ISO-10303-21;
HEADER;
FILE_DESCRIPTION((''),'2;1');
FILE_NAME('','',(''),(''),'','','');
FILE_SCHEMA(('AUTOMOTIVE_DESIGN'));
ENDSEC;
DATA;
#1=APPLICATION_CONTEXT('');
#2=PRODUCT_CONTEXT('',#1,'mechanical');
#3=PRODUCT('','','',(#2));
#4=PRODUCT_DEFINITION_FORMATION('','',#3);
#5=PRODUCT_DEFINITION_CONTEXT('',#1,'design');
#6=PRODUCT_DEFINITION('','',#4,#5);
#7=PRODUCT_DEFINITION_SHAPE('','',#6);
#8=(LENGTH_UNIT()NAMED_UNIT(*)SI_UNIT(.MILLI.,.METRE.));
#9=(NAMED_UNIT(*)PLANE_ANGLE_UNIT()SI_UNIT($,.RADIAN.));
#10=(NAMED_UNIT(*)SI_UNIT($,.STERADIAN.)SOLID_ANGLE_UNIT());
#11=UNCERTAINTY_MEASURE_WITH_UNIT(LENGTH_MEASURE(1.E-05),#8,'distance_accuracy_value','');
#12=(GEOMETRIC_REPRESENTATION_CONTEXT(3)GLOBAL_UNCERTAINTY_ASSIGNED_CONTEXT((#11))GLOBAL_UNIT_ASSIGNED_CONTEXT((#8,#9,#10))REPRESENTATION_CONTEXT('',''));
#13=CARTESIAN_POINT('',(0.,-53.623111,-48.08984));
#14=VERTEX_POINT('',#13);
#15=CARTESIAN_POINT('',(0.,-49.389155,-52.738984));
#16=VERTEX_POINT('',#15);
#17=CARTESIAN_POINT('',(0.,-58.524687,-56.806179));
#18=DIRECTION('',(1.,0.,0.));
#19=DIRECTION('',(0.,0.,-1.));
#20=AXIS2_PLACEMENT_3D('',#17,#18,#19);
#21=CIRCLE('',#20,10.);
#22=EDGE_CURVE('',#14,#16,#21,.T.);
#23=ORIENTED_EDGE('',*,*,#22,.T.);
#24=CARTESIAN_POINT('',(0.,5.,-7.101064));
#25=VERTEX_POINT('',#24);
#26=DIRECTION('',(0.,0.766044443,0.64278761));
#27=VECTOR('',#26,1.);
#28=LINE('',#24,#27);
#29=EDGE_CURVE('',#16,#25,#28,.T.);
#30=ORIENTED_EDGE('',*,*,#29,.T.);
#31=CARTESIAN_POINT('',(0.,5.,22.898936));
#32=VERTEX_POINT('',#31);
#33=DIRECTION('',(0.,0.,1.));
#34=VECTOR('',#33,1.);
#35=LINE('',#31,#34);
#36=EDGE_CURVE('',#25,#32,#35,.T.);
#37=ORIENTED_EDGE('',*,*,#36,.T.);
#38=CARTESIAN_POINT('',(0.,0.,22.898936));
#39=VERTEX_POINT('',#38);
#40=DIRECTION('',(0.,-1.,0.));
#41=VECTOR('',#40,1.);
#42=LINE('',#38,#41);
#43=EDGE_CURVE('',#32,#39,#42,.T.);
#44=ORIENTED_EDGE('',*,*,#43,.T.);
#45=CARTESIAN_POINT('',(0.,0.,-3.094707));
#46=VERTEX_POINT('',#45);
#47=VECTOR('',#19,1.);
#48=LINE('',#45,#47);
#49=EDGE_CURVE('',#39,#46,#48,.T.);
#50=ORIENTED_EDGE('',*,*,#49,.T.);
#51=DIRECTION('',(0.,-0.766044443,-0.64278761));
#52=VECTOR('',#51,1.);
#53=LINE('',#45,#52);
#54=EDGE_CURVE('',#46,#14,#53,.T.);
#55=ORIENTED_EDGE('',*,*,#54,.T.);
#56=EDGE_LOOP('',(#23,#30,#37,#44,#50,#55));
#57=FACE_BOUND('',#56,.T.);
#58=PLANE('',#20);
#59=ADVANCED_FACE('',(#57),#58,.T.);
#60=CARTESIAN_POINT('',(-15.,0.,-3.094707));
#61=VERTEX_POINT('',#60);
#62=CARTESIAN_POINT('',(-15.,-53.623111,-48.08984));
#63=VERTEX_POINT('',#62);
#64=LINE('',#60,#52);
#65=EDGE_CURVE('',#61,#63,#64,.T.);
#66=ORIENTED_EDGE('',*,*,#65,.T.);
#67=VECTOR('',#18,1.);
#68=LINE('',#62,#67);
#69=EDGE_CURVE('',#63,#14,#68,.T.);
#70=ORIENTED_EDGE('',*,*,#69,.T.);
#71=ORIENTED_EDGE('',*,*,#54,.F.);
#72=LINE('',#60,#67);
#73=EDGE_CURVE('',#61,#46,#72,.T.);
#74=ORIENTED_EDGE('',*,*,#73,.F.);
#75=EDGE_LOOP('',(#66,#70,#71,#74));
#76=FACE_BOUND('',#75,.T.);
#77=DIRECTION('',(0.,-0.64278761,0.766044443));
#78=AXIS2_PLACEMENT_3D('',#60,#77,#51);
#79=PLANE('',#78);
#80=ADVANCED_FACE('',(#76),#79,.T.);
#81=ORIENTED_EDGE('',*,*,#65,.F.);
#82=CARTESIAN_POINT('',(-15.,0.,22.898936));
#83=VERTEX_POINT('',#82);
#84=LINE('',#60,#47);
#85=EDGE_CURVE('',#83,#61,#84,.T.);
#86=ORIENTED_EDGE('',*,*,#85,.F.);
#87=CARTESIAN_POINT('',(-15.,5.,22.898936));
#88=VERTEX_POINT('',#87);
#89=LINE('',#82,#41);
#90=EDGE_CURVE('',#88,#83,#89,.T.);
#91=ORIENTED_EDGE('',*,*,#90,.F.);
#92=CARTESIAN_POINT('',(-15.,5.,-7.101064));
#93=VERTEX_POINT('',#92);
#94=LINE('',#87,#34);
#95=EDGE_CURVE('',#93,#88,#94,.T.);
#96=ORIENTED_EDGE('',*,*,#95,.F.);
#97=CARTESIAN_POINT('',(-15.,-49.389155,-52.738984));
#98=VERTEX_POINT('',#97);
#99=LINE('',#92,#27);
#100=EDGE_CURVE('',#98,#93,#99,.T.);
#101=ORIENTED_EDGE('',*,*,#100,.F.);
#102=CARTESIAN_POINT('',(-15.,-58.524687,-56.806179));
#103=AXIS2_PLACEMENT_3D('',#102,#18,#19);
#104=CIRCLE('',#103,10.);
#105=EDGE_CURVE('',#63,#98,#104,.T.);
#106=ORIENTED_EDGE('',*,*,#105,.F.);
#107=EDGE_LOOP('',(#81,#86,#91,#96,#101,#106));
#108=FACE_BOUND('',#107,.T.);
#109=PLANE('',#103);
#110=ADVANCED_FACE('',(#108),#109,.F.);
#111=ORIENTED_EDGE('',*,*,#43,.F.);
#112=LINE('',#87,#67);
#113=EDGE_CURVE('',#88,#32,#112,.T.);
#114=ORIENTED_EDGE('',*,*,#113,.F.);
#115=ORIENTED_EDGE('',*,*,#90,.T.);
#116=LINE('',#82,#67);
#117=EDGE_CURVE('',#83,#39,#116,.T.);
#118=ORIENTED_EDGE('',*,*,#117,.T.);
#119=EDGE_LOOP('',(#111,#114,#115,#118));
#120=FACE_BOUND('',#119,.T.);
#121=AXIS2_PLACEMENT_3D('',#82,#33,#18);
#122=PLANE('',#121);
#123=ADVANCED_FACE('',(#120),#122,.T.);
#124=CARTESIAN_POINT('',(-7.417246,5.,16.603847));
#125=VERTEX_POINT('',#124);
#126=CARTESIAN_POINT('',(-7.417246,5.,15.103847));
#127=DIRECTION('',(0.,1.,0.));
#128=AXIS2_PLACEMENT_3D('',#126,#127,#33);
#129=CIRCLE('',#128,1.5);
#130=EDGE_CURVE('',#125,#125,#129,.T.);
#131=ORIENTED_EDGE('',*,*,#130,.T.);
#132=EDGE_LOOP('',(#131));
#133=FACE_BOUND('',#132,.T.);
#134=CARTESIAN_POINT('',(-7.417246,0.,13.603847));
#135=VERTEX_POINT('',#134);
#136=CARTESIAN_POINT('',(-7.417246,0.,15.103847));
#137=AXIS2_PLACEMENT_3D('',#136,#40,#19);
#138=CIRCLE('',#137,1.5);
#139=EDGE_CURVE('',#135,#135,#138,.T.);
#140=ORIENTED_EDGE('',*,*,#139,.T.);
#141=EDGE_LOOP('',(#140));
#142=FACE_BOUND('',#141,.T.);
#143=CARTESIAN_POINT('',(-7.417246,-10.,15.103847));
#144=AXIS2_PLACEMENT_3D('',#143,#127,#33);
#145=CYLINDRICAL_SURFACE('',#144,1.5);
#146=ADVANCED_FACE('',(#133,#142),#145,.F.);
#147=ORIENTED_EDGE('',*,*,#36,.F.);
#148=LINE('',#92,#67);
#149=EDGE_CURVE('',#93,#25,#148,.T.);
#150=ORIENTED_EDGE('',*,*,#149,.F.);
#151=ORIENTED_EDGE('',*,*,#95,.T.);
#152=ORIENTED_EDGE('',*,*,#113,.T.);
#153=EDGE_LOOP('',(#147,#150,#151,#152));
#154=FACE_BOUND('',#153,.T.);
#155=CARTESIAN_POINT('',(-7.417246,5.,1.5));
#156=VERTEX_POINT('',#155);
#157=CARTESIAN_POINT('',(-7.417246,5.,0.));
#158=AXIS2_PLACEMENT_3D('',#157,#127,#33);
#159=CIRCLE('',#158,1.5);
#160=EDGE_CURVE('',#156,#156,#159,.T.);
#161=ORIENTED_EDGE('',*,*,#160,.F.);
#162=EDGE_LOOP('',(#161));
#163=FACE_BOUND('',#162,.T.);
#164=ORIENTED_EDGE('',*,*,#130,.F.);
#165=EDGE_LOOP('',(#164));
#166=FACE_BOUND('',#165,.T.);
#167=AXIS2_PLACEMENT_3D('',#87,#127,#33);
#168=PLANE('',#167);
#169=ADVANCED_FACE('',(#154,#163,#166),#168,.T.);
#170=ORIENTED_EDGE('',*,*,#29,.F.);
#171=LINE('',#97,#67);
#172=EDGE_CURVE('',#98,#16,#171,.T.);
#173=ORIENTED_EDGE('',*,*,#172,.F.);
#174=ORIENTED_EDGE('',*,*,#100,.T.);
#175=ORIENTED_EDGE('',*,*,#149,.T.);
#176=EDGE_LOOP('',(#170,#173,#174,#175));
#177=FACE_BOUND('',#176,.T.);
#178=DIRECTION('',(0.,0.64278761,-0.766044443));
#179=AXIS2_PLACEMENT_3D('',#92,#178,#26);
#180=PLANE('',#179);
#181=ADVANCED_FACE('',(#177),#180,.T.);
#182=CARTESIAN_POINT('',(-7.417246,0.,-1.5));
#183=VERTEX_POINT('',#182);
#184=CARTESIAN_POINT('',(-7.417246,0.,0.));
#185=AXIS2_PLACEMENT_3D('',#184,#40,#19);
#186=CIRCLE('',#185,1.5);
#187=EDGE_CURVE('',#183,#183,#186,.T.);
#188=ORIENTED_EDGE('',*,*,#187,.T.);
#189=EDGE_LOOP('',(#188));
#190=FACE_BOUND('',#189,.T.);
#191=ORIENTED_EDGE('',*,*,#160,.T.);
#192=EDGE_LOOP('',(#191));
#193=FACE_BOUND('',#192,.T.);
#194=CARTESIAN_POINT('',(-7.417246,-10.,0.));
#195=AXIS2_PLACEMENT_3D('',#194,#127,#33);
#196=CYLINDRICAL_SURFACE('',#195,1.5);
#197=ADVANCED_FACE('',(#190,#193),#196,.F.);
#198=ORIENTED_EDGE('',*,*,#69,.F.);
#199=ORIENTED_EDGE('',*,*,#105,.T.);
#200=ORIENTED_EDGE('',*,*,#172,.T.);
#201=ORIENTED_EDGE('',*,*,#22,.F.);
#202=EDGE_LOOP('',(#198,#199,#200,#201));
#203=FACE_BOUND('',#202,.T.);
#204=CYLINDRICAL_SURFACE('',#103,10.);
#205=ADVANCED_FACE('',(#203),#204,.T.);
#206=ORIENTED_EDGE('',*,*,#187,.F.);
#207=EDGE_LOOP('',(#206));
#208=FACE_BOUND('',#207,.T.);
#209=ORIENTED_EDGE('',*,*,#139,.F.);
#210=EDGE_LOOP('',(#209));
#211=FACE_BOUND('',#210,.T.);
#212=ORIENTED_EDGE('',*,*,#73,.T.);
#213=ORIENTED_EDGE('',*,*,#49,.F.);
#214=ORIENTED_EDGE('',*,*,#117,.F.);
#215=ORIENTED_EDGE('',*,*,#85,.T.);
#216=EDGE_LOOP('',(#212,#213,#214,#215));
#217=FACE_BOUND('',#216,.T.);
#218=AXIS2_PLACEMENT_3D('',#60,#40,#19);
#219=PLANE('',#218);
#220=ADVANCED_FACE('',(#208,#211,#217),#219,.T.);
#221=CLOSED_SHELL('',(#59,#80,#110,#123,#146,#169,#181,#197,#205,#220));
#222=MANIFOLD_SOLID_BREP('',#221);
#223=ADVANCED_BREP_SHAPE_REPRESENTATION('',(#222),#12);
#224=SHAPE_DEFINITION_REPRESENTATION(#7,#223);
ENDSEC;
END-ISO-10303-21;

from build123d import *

# Parameters (mm, degrees)
BOSS_EXTRUDE1_DEPTH = 15
SKETCH3_R           = 1.5
CUT_EXTRUDE1_DEPTH  = 15


with BuildPart() as part:
    # Sketch2 → Boss-Extrude1 (new body)
    with BuildSketch(Plane(origin=(0, 0, 0), x_dir=(0, 0, -1), z_dir=(1, 0, 0))):
        with BuildLine():
            Line((-22.89893617, 5), (7.10106383, 5))
            Line((7.10106383, 5), (52.738984118, -49.389155461))
            ThreePointArc((52.738984118, -49.389155461), (63.539400353, -65.918178681), (48.089840145, -53.623111018))
            Line((48.089840145, -53.623111018), (3.094707467, 0))
            Line((3.094707467, 0), (-22.89893617, 0))
            Line((-22.89893617, 0), (-22.89893617, 5))
        make_face()
    extrude(amount=-BOSS_EXTRUDE1_DEPTH)

    # Sketch3 → Cut-Extrude1 (cut)
    with BuildSketch(Plane(origin=(0, 5, 0), x_dir=(1, 0, 0), z_dir=(0, 1, 0))):
        with Locations((-7.417246122, 0)):
            Circle(SKETCH3_R)
        with Locations((-7.417246122, -15.103846838)):
            Circle(SKETCH3_R)
    extrude(amount=-CUT_EXTRUDE1_DEPTH, mode=Mode.SUBTRACT)


solid = part.part
